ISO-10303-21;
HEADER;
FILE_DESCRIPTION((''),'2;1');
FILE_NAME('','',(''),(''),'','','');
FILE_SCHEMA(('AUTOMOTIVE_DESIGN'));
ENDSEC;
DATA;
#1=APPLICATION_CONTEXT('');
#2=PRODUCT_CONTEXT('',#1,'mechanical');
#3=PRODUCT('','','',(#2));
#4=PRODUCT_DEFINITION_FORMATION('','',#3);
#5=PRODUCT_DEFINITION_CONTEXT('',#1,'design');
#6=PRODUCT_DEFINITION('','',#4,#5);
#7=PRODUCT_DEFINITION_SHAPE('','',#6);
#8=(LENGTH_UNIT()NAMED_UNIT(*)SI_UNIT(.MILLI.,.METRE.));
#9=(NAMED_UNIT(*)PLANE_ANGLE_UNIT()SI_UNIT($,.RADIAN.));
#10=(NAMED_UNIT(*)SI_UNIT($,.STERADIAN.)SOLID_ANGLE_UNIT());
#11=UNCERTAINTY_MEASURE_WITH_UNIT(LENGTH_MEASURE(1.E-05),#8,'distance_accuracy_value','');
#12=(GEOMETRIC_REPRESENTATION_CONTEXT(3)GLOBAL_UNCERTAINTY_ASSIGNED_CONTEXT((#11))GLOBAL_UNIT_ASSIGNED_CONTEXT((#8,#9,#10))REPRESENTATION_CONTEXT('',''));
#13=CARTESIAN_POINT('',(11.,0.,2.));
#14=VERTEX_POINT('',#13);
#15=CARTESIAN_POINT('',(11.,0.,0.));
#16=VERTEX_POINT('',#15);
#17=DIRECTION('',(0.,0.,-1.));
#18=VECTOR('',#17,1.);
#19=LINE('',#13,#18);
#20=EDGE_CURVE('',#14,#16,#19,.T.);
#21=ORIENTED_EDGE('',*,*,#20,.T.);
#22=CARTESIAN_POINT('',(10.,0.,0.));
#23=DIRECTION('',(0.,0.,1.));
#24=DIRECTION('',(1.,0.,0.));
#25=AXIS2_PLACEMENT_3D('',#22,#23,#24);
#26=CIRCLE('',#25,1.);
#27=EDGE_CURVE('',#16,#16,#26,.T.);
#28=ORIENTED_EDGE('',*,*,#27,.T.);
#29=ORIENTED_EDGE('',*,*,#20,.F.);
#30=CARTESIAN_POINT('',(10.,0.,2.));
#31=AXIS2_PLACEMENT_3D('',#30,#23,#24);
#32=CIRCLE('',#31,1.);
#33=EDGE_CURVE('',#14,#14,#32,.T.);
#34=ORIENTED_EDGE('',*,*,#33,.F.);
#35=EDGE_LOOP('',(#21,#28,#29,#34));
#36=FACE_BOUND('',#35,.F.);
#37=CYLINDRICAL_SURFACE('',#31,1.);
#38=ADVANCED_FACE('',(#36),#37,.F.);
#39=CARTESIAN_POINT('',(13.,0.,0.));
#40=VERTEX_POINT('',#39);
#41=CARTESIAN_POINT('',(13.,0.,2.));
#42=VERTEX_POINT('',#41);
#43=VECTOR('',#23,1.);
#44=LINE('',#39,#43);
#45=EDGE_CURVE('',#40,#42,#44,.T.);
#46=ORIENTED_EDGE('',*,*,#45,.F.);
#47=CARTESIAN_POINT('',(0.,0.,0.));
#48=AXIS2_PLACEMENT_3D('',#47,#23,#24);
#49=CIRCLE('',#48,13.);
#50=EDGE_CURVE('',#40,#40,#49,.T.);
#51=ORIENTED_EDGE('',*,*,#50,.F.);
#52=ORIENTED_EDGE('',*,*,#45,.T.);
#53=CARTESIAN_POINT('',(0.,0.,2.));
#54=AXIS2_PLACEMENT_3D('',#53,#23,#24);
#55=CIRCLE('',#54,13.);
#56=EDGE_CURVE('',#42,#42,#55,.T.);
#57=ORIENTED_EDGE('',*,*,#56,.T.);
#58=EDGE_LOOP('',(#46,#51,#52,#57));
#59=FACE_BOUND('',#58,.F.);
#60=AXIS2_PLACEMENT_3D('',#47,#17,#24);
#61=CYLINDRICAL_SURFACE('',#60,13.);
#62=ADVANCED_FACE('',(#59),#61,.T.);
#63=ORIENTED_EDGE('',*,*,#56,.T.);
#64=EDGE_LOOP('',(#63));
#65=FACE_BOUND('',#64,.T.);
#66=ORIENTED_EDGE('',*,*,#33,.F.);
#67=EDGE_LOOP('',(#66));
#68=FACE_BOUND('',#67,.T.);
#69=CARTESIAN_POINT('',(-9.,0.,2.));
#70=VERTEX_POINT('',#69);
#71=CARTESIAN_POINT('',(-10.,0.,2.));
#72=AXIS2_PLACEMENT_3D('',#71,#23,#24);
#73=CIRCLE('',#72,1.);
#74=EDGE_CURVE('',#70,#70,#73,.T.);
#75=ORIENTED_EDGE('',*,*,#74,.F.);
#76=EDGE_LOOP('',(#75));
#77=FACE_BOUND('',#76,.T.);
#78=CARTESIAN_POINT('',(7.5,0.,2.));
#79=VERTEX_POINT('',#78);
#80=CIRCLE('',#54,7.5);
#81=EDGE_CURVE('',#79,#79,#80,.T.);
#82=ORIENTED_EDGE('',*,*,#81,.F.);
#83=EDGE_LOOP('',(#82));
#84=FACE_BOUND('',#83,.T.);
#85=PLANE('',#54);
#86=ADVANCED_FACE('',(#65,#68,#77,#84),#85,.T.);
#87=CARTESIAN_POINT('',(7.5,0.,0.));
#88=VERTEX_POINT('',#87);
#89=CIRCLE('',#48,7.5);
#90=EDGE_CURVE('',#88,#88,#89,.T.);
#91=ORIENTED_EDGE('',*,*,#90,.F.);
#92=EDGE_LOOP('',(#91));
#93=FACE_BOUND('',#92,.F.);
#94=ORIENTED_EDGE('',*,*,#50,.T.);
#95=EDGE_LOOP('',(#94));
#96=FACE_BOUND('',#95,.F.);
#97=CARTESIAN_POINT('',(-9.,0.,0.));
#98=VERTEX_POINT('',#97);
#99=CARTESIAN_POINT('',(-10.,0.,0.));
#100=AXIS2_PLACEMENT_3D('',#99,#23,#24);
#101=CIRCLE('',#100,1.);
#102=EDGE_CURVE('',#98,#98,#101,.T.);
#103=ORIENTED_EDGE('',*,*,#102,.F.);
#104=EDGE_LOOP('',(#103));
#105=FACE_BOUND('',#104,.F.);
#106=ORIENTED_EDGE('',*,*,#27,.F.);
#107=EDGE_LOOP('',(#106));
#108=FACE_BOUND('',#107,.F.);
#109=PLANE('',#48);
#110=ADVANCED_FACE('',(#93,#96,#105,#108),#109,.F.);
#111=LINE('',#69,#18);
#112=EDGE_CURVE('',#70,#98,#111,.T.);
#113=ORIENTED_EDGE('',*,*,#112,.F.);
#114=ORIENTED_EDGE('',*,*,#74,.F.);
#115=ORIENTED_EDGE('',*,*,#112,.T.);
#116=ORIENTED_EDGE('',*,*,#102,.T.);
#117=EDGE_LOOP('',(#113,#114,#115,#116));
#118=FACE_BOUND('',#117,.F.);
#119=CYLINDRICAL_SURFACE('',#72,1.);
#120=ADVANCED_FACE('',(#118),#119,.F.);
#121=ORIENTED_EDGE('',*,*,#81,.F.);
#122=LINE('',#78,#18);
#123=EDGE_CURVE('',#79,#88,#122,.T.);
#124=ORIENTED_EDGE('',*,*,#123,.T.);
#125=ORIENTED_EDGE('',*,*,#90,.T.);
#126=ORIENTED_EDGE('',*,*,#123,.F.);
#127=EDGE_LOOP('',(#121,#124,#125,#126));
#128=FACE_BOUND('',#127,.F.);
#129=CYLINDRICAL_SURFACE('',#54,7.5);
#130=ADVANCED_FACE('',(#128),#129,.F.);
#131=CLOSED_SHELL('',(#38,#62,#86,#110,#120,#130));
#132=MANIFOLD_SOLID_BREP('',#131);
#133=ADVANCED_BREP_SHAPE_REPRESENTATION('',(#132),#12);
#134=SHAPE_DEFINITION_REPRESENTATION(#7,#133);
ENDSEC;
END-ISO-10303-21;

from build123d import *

# Parameters (mm, degrees)
SKETCH_R      = 13
PAD_DEPTH     = 2
SKETCH001_R   = 7.5
SKETCH001_R_2 = 1
POCKET_DEPTH  = 5


with BuildPart() as part:
    # Sketch → Pad (new body)
    with BuildSketch(Plane.XY):
        Circle(SKETCH_R)
    extrude(amount=PAD_DEPTH)

    # Sketch001 → Pocket (cut)
    with BuildSketch(Plane.XY.offset(2)):
        Circle(SKETCH001_R)
        with Locations((-10, 0)):
            Circle(SKETCH001_R_2)
        with Locations((10, 0)):
            Circle(SKETCH001_R_2)
    extrude(amount=-POCKET_DEPTH, mode=Mode.SUBTRACT)


solid = part.part
